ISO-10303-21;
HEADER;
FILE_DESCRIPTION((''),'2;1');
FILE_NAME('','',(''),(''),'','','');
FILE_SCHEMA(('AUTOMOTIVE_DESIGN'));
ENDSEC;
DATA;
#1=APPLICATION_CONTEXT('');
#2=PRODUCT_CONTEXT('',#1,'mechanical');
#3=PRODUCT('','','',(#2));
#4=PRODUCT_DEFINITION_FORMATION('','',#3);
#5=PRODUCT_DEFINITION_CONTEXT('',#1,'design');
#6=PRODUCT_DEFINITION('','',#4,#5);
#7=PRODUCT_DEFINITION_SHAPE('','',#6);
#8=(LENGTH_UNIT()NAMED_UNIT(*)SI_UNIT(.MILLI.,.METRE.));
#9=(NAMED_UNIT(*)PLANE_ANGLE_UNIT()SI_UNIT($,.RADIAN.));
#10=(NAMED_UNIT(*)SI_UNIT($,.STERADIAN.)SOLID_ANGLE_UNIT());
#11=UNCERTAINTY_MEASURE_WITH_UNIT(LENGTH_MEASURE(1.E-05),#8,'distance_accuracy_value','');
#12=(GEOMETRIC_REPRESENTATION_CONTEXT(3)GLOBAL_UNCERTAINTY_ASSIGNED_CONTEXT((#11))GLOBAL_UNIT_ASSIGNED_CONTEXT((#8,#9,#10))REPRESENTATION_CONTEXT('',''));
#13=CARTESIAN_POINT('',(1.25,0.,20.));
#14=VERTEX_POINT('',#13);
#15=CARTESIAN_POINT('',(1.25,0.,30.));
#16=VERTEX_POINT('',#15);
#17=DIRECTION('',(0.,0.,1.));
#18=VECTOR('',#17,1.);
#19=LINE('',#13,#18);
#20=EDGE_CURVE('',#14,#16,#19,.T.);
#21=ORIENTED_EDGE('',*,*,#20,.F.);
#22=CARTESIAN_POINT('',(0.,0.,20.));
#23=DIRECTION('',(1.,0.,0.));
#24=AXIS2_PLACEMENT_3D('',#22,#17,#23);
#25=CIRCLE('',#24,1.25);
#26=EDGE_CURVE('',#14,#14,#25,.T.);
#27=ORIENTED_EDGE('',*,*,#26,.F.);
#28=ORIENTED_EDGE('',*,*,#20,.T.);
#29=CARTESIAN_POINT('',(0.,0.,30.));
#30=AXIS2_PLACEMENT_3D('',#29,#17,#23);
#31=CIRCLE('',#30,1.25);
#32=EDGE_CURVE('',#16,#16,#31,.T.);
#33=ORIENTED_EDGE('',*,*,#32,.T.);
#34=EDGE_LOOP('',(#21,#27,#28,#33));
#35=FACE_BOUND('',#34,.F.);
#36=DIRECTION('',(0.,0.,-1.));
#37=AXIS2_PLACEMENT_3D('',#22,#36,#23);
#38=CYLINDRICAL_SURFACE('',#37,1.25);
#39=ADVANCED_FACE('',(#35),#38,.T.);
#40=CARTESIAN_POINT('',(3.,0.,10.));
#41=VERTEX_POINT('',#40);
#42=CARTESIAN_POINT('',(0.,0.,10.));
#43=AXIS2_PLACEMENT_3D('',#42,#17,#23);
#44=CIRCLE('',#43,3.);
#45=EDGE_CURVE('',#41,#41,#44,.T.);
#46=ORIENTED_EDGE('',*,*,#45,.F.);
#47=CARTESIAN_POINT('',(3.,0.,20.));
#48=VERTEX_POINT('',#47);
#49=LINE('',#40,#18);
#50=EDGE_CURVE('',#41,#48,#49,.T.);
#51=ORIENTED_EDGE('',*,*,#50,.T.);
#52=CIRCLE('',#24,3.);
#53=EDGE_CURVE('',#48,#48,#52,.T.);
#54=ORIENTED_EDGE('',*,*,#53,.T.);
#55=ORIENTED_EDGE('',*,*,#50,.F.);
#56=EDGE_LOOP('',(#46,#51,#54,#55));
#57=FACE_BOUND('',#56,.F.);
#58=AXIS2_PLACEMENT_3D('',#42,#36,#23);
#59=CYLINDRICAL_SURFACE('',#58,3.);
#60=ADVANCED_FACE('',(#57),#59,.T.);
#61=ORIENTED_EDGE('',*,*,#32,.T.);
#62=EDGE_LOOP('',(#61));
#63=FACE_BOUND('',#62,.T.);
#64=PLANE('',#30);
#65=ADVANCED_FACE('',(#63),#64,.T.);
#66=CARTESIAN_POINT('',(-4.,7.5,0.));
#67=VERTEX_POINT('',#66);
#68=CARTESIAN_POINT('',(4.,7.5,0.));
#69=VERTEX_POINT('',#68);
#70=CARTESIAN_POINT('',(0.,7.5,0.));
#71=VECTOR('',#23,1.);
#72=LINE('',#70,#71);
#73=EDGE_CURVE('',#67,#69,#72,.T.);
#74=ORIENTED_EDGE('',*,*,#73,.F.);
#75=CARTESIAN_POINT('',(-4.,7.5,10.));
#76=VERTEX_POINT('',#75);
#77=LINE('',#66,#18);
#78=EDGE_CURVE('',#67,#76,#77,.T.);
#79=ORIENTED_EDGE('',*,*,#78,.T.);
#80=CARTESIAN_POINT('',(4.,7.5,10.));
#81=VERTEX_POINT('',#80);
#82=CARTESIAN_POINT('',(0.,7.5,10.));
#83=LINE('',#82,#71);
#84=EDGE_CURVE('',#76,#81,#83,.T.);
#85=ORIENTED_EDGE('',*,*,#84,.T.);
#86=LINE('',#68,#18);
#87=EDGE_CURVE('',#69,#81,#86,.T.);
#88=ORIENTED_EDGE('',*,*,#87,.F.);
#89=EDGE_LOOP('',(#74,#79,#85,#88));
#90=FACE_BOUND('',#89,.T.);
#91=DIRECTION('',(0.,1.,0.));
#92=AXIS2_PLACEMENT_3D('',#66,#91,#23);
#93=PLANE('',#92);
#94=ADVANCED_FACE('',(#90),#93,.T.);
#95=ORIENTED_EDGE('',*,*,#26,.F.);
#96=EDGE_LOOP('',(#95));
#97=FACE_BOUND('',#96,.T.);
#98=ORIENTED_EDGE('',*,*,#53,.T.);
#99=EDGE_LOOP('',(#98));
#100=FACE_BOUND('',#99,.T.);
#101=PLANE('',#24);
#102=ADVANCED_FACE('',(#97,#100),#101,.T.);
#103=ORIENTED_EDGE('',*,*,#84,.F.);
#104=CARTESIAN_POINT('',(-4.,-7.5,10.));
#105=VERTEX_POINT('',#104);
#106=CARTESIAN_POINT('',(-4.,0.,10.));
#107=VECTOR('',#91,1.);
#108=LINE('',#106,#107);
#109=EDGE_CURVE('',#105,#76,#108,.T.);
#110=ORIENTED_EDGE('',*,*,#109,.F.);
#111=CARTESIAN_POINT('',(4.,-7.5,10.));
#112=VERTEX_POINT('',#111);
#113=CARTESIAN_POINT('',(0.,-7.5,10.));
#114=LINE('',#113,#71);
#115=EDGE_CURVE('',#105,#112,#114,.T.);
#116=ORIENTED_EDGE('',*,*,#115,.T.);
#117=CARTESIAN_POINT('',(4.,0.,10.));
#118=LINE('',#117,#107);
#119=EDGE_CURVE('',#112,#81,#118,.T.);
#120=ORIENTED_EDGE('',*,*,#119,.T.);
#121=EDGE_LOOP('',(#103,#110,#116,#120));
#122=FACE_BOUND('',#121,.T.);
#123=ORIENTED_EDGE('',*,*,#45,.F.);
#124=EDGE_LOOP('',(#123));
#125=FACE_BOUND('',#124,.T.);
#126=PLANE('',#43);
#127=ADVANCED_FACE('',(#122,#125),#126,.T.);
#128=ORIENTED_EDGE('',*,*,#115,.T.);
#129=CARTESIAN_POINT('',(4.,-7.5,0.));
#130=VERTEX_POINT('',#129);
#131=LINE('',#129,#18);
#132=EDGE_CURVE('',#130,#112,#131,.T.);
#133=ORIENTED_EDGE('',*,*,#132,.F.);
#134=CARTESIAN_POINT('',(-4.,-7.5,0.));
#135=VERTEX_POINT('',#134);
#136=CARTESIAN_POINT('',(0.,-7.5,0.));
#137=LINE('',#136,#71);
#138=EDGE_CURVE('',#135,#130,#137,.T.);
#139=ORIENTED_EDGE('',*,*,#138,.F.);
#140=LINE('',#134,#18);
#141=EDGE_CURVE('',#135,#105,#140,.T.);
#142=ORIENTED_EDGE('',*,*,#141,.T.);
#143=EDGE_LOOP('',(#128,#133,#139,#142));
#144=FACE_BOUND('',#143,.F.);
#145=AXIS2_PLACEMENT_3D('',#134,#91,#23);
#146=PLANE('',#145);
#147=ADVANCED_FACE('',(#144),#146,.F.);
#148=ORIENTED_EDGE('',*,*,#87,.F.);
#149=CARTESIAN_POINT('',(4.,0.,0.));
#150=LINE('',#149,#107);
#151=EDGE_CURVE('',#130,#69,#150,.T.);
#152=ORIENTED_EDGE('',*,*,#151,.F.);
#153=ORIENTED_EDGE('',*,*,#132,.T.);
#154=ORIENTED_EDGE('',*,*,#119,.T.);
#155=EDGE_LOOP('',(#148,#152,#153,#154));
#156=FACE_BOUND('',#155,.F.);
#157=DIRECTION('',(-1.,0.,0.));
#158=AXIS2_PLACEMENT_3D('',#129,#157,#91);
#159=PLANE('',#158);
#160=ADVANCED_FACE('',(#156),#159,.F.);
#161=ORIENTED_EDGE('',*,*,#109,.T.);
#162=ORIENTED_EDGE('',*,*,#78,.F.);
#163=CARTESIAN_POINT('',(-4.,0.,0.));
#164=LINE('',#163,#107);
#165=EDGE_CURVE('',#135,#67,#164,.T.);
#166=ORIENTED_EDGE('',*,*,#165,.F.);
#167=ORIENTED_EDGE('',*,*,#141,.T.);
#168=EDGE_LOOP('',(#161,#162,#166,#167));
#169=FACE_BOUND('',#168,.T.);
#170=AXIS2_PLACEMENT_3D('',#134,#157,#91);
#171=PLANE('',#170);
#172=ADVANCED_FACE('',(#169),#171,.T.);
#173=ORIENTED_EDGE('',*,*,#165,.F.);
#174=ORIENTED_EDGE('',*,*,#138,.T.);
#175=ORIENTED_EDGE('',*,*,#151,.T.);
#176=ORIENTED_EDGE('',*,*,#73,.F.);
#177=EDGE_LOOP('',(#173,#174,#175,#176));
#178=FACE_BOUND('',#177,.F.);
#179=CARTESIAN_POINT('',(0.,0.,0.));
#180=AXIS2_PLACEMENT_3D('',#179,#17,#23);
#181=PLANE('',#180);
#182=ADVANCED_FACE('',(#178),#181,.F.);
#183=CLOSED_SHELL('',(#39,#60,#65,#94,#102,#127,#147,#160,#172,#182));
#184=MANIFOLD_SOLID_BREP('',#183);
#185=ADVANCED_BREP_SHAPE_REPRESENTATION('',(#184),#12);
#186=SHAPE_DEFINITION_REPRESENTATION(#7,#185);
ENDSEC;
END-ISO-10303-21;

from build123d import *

# Parameters (mm, degrees)
F0_W     = 8
F0_H     = 15
F1_DEPTH = 10
F2_R     = 3
F3_DEPTH = 10
F4_R     = 1.25
F5_DEPTH = 10


with BuildPart() as f1:
    # F0 (on Top) → F1 (new body)
    with BuildSketch(Plane.XY):
        Rectangle(F0_W, F0_H)
    extrude(amount=F1_DEPTH)

    # F2 (on face) → F3 (join)
    with BuildSketch(Plane.XY.offset(10)):
        Circle(F2_R)
    extrude(amount=F3_DEPTH)

    # F4 (on face) → F5 (join)
    with BuildSketch(Plane.XY.offset(20)):
        Circle(F4_R)
    extrude(amount=F5_DEPTH)


solid = f1.part
